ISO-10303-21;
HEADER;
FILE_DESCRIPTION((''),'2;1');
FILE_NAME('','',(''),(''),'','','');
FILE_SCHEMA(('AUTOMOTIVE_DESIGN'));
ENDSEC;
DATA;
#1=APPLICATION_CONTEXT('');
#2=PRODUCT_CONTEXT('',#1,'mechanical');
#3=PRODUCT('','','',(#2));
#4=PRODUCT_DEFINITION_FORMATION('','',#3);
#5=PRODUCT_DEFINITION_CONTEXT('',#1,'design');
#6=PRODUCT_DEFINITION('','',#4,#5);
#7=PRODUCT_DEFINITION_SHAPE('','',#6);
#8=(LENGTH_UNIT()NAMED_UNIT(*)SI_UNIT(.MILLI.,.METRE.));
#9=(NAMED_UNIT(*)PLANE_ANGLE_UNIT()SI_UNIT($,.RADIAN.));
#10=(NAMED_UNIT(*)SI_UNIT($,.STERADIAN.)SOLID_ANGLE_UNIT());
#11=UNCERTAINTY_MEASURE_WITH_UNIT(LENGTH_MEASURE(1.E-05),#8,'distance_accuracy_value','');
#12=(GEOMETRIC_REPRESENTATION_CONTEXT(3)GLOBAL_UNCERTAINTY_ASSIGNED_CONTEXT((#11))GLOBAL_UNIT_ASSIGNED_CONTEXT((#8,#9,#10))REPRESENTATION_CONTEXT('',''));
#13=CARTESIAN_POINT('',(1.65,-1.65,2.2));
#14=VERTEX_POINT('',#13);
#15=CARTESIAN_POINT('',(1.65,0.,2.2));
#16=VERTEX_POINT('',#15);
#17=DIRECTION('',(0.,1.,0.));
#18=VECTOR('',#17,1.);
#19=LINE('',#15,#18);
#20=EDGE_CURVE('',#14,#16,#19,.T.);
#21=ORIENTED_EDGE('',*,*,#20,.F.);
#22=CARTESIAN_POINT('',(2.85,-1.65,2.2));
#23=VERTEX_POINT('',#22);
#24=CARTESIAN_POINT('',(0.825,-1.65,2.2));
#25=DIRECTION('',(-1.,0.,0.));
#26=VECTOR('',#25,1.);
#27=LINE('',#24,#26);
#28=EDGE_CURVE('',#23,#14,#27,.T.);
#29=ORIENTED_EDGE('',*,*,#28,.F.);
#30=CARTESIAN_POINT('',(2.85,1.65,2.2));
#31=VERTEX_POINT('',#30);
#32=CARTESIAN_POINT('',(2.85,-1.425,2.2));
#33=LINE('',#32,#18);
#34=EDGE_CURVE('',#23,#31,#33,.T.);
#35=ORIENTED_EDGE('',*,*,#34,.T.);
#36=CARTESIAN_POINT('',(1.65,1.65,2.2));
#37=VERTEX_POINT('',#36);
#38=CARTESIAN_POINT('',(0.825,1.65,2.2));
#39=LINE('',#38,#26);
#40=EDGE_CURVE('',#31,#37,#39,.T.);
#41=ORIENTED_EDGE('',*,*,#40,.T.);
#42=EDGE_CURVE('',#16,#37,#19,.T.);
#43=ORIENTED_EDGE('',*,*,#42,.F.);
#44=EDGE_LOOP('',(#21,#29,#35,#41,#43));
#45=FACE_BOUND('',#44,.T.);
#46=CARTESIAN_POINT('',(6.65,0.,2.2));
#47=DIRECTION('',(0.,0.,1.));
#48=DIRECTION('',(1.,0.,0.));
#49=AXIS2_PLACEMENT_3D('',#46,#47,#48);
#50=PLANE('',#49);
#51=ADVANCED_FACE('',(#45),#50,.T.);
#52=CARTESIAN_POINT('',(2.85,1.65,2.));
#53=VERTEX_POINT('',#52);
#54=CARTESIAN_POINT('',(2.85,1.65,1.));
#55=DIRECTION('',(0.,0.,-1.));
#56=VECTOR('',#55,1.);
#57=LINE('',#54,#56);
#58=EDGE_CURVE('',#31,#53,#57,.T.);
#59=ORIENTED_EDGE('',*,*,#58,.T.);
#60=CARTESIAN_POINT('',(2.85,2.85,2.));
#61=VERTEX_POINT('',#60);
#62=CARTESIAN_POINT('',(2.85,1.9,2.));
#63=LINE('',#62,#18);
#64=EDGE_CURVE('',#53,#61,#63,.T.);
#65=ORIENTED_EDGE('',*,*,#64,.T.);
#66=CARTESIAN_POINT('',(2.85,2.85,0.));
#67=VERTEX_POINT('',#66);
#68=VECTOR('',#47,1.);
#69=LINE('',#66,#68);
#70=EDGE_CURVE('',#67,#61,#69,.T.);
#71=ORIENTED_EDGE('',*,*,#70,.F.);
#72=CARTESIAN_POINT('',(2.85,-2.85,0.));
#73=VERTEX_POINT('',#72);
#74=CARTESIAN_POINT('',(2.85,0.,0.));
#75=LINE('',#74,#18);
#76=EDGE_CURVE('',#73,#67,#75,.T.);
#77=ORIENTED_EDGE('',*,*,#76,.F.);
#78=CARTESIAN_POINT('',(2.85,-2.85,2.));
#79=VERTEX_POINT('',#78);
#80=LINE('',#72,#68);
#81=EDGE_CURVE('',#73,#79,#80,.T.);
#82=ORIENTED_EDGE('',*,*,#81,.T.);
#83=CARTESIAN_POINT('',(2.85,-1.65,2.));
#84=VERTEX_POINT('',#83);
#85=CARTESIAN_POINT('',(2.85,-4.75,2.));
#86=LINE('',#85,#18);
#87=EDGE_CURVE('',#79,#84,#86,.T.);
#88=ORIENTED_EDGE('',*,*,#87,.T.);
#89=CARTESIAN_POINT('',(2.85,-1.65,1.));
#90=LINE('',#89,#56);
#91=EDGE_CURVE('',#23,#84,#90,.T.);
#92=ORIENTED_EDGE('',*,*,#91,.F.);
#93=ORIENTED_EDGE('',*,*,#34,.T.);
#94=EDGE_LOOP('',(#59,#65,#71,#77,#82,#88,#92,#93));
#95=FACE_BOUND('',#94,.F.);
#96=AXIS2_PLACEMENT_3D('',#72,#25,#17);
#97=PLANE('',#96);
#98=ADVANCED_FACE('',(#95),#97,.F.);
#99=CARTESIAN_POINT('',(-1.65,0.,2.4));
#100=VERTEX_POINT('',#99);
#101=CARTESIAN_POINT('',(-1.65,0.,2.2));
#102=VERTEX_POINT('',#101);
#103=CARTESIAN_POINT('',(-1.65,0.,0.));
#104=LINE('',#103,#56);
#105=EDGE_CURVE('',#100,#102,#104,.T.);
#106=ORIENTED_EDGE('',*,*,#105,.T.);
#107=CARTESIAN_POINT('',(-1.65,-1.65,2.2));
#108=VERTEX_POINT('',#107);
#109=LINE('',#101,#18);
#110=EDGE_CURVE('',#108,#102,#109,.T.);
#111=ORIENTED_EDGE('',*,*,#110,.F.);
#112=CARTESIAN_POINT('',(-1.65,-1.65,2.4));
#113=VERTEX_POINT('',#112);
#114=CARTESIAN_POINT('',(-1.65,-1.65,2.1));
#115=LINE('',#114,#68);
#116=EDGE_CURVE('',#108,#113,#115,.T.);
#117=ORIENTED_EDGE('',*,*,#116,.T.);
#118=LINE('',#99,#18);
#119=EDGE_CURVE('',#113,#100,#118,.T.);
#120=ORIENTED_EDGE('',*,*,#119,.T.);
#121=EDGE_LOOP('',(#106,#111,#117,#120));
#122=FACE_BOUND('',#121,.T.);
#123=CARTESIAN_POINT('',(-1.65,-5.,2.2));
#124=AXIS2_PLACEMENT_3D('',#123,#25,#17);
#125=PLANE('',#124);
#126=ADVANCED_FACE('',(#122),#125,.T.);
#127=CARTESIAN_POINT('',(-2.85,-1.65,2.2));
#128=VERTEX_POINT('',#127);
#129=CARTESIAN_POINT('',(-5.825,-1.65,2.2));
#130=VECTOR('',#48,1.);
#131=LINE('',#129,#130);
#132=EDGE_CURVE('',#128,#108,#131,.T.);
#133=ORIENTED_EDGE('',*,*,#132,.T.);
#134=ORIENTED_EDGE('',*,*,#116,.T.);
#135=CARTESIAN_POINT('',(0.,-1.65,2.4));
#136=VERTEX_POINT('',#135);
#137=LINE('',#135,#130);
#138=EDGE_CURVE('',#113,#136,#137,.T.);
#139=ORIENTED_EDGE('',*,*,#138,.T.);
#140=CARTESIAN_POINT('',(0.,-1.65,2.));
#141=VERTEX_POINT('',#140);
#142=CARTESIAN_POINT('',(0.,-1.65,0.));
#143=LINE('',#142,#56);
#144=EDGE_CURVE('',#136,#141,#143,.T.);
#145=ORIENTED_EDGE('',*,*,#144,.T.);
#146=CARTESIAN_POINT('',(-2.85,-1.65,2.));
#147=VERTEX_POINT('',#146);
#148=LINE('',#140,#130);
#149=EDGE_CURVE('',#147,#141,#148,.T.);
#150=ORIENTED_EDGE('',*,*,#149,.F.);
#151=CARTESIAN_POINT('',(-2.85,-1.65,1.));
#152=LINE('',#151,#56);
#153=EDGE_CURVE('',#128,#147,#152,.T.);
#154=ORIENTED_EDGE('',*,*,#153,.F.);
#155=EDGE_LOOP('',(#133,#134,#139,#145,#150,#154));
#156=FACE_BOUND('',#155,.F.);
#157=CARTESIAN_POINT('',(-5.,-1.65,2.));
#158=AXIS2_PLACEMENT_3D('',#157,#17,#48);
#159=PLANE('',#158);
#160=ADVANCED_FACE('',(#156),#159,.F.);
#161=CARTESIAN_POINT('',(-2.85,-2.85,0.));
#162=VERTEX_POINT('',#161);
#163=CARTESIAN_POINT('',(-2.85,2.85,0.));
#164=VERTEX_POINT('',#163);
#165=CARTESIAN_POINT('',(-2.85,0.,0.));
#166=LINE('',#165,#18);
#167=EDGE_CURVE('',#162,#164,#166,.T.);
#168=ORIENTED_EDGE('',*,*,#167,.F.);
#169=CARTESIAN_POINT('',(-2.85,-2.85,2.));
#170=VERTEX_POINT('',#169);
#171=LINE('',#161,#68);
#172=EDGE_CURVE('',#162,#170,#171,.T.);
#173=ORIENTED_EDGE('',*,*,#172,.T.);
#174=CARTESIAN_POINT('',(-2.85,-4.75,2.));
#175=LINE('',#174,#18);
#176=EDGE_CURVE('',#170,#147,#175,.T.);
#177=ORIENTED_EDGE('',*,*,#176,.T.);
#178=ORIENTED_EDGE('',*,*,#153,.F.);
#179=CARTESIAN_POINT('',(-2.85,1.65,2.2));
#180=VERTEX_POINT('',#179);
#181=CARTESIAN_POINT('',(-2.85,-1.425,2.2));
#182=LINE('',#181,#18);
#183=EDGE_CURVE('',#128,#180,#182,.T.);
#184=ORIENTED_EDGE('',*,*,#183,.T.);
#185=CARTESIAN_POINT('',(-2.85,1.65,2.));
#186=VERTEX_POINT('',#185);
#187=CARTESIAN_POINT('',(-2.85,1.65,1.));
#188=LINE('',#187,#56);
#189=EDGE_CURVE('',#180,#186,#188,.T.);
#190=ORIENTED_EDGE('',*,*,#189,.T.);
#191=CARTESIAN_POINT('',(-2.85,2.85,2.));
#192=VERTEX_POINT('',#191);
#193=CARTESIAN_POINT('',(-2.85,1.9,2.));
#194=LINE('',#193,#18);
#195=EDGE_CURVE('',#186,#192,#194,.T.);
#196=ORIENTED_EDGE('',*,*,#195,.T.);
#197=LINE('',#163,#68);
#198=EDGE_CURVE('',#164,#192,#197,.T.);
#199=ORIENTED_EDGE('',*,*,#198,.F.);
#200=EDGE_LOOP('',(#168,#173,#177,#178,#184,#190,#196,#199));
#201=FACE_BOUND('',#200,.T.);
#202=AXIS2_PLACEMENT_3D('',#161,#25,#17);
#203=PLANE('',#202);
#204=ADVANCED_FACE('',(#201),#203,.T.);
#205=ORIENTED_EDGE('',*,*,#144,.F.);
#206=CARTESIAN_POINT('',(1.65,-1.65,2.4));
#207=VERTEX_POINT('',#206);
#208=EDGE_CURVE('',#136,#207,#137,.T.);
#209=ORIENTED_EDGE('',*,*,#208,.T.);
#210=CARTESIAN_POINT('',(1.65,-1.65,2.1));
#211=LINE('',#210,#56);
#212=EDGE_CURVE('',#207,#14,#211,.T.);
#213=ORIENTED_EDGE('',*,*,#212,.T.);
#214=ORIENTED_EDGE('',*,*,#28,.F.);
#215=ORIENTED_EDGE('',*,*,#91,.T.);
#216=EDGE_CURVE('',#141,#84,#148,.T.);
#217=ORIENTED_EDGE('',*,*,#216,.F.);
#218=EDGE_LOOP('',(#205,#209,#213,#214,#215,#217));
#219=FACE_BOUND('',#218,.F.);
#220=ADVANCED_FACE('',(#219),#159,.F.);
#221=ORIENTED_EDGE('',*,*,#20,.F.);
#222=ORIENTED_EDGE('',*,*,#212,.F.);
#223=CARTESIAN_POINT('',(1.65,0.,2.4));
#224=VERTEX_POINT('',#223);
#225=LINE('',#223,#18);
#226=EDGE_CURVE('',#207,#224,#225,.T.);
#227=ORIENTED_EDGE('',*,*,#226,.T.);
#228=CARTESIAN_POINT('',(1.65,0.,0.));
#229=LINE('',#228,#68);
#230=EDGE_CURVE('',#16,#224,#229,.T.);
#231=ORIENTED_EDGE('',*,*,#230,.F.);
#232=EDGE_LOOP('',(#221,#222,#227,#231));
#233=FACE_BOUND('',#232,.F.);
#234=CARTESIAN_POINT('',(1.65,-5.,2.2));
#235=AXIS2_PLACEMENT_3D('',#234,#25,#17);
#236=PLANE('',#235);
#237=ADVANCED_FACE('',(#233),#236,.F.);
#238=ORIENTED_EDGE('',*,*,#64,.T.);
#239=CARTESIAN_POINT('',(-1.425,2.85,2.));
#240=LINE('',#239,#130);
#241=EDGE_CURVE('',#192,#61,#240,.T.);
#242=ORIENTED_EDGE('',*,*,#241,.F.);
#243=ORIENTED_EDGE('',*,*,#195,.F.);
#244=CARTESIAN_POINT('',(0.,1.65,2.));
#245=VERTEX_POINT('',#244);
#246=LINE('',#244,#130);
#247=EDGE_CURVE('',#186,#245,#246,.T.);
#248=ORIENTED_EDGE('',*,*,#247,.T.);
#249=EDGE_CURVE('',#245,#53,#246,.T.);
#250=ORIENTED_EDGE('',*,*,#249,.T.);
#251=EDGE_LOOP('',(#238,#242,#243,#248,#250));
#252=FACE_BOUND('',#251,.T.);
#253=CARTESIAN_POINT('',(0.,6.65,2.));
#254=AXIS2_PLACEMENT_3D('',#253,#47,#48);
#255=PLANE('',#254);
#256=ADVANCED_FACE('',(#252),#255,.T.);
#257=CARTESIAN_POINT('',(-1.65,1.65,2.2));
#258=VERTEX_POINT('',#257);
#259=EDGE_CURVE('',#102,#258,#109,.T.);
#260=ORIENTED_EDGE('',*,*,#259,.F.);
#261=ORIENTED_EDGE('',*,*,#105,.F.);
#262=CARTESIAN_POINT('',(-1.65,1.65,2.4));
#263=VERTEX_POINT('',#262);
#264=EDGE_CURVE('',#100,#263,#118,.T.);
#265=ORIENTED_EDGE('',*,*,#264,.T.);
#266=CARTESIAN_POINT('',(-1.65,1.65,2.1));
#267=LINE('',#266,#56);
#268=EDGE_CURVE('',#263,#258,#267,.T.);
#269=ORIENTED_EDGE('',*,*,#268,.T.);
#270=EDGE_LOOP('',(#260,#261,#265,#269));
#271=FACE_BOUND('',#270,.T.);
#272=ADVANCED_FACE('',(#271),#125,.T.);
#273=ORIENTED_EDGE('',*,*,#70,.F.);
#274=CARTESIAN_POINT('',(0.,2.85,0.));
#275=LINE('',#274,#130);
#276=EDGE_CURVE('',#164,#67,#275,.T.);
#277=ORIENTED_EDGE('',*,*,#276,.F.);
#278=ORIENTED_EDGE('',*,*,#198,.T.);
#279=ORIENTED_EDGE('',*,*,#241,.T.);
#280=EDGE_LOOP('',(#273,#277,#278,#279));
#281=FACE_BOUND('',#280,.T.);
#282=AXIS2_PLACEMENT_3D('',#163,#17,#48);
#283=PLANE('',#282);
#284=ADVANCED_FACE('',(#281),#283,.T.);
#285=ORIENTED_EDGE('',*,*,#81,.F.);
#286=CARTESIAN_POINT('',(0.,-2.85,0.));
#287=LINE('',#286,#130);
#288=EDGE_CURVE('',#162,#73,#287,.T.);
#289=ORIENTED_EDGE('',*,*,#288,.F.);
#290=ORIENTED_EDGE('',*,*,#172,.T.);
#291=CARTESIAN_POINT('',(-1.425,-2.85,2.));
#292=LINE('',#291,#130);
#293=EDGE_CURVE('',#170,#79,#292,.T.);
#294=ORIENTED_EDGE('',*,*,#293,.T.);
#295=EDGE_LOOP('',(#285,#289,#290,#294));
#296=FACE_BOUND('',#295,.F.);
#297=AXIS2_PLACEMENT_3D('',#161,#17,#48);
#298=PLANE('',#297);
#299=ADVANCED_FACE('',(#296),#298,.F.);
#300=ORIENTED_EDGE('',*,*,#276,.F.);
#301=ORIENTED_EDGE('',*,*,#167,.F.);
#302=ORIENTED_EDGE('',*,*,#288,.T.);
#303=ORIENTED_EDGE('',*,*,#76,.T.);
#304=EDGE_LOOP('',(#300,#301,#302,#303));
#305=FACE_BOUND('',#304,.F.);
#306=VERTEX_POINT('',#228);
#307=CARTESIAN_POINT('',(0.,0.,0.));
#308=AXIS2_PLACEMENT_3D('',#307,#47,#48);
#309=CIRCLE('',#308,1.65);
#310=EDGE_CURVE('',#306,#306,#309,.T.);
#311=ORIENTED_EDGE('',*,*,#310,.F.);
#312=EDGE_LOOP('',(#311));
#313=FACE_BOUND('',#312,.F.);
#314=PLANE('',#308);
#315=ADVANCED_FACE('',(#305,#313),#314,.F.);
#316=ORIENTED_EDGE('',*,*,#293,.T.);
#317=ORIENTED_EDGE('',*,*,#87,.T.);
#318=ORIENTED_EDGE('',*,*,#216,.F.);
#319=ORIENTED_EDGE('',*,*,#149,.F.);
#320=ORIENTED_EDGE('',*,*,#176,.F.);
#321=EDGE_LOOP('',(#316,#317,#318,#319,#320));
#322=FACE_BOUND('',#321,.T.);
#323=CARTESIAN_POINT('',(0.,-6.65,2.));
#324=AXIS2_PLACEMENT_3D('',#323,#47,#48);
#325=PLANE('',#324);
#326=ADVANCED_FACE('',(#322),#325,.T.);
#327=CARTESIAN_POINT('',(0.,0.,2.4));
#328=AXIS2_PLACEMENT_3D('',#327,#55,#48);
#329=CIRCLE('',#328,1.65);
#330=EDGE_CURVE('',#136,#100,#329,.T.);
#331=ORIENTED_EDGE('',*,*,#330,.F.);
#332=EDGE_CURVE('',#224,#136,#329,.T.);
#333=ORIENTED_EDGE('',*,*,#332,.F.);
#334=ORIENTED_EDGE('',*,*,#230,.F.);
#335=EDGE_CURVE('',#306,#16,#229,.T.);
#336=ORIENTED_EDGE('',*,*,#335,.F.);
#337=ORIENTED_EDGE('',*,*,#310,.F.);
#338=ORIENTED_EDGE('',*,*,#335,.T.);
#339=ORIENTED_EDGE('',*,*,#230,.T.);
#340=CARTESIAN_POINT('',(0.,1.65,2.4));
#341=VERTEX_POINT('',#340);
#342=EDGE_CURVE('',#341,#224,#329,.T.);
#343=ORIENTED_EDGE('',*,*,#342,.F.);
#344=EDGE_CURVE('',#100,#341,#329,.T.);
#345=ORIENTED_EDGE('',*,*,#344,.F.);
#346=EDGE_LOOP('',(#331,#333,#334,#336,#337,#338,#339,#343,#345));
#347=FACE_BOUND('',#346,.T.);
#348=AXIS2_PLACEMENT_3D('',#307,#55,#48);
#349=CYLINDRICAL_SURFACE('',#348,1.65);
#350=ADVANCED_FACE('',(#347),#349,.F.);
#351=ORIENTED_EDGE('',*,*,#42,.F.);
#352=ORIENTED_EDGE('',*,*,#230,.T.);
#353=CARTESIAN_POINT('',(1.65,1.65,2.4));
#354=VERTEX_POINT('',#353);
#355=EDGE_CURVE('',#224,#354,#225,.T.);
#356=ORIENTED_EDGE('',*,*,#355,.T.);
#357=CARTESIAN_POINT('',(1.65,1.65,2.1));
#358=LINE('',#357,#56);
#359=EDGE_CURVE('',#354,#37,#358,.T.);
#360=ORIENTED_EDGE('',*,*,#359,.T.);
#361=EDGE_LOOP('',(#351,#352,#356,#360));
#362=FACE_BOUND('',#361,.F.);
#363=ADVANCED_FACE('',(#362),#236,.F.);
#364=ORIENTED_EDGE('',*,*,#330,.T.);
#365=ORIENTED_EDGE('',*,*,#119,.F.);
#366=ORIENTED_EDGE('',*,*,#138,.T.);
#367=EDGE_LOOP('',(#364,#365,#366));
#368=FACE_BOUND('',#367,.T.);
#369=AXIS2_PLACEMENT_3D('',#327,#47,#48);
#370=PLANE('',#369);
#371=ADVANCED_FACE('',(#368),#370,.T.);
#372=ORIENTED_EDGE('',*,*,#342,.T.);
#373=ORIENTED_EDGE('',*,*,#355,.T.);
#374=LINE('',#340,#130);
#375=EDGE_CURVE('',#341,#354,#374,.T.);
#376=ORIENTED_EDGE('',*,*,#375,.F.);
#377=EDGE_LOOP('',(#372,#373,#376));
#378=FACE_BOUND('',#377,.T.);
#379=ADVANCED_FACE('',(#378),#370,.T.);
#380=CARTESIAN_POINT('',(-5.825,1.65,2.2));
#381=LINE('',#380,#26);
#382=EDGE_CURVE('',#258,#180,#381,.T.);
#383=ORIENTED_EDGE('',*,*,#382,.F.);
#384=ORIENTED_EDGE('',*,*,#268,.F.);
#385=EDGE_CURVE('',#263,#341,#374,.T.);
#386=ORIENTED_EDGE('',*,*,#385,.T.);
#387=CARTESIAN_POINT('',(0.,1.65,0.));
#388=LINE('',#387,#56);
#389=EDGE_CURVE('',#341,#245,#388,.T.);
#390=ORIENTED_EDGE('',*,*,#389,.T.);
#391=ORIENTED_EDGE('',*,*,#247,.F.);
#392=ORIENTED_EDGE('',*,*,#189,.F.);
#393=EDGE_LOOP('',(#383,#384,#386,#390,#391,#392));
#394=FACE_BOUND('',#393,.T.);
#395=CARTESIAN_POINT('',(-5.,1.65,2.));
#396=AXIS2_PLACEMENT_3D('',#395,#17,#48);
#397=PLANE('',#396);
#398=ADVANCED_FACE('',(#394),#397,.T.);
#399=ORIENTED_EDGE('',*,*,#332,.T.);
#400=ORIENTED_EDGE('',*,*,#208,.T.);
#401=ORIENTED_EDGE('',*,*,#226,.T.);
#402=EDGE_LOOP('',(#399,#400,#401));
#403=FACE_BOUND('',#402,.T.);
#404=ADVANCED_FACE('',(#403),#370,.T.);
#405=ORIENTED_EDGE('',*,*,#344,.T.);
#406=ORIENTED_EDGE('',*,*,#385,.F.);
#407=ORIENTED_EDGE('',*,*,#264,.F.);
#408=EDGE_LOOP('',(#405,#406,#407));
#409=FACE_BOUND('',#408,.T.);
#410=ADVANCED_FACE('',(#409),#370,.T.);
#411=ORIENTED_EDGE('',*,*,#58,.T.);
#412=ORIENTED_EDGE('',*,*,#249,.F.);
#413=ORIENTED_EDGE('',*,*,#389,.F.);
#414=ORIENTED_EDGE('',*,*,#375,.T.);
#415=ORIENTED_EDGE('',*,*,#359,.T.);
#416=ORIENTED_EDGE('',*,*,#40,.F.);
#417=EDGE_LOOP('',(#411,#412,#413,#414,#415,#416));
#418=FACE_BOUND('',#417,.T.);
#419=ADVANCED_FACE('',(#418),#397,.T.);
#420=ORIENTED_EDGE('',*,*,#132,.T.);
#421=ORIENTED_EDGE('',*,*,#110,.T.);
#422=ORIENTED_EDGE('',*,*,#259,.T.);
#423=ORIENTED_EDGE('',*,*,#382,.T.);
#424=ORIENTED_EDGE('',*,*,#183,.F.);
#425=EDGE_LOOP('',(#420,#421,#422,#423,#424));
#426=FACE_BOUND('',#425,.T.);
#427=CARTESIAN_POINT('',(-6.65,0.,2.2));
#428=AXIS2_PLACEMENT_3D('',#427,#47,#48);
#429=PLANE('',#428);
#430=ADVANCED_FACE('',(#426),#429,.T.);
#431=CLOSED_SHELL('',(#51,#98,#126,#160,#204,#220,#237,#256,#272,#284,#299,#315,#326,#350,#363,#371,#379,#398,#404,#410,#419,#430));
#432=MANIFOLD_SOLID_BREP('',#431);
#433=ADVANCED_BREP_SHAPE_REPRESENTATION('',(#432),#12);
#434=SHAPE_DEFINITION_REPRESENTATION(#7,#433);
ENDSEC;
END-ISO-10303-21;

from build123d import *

# Parameters (mm, degrees)
CYLINDER001_R     = 1.65
CYLINDER001_DEPTH = 10
BOX015_W          = 10
BOX015_H          = 10
BOX015_DEPTH      = 0.4
BOX014_W          = 10
BOX014_H          = 10
BOX014_DEPTH      = 0.2
BOX016_W          = 10
BOX016_H          = 10
BOX016_DEPTH      = 0.4
BOX013_W          = 10
BOX013_H          = 10
BOX013_DEPTH      = 0.2
BOX012_W          = 5.7
BOX012_H          = 5.7
BOX012_DEPTH      = 2.4


with BuildPart() as cylinder001:
    # Cylinder001 → Cylinder001 (new body)
    with BuildSketch(Plane.XY):
        Circle(CYLINDER001_R)
    extrude(amount=CYLINDER001_DEPTH)


with BuildPart() as cube013:
    # Box015 → Box015 (new body)
    with BuildSketch(Plane(origin=(-5, -11.65, 2), x_dir=(1, 0, 0), z_dir=(0, 0, 1))):
        with Locations((5, 5)):
            Rectangle(BOX015_W, BOX015_H)
    extrude(amount=BOX015_DEPTH)


with BuildPart() as cube012:
    # Box014 → Box014 (new body)
    with BuildSketch(Plane(origin=(-11.65, -5, 2.2), x_dir=(1, 0, 0), z_dir=(0, 0, 1))):
        with Locations((5, 5)):
            Rectangle(BOX014_W, BOX014_H)
    extrude(amount=BOX014_DEPTH)


with BuildPart() as cube014:
    # Box016 → Box016 (new body)
    with BuildSketch(Plane(origin=(-5, 1.65, 2), x_dir=(1, 0, 0), z_dir=(0, 0, 1))):
        with Locations((5, 5)):
            Rectangle(BOX016_W, BOX016_H)
    extrude(amount=BOX016_DEPTH)


with BuildPart() as fusion007:
    # Box013 → Box013 (new body)
    with BuildSketch(Plane(origin=(1.65, -5, 2.2), x_dir=(1, 0, 0), z_dir=(0, 0, 1))):
        with Locations((5, 5)):
            Rectangle(BOX013_W, BOX013_H)
    extrude(amount=BOX013_DEPTH)

    # Fusion006: union Cube013, Cube012, Cube014
    add(cube013.part)
    add(cube012.part)
    add(cube014.part)

    # Fusion007: union Cylinder001
    add(cylinder001.part)


with BuildPart() as cut005:
    # Box012 → Box012 (new body)
    with BuildSketch(Plane(origin=(-2.85, -2.85, 0), x_dir=(1, 0, 0), z_dir=(0, 0, 1))):
        with Locations((2.85, 2.85)):
            Rectangle(BOX012_W, BOX012_H)
    extrude(amount=BOX012_DEPTH)

    # Cut005: cut Fusion007
    add(fusion007.part, mode=Mode.SUBTRACT)


solid = cut005.part
